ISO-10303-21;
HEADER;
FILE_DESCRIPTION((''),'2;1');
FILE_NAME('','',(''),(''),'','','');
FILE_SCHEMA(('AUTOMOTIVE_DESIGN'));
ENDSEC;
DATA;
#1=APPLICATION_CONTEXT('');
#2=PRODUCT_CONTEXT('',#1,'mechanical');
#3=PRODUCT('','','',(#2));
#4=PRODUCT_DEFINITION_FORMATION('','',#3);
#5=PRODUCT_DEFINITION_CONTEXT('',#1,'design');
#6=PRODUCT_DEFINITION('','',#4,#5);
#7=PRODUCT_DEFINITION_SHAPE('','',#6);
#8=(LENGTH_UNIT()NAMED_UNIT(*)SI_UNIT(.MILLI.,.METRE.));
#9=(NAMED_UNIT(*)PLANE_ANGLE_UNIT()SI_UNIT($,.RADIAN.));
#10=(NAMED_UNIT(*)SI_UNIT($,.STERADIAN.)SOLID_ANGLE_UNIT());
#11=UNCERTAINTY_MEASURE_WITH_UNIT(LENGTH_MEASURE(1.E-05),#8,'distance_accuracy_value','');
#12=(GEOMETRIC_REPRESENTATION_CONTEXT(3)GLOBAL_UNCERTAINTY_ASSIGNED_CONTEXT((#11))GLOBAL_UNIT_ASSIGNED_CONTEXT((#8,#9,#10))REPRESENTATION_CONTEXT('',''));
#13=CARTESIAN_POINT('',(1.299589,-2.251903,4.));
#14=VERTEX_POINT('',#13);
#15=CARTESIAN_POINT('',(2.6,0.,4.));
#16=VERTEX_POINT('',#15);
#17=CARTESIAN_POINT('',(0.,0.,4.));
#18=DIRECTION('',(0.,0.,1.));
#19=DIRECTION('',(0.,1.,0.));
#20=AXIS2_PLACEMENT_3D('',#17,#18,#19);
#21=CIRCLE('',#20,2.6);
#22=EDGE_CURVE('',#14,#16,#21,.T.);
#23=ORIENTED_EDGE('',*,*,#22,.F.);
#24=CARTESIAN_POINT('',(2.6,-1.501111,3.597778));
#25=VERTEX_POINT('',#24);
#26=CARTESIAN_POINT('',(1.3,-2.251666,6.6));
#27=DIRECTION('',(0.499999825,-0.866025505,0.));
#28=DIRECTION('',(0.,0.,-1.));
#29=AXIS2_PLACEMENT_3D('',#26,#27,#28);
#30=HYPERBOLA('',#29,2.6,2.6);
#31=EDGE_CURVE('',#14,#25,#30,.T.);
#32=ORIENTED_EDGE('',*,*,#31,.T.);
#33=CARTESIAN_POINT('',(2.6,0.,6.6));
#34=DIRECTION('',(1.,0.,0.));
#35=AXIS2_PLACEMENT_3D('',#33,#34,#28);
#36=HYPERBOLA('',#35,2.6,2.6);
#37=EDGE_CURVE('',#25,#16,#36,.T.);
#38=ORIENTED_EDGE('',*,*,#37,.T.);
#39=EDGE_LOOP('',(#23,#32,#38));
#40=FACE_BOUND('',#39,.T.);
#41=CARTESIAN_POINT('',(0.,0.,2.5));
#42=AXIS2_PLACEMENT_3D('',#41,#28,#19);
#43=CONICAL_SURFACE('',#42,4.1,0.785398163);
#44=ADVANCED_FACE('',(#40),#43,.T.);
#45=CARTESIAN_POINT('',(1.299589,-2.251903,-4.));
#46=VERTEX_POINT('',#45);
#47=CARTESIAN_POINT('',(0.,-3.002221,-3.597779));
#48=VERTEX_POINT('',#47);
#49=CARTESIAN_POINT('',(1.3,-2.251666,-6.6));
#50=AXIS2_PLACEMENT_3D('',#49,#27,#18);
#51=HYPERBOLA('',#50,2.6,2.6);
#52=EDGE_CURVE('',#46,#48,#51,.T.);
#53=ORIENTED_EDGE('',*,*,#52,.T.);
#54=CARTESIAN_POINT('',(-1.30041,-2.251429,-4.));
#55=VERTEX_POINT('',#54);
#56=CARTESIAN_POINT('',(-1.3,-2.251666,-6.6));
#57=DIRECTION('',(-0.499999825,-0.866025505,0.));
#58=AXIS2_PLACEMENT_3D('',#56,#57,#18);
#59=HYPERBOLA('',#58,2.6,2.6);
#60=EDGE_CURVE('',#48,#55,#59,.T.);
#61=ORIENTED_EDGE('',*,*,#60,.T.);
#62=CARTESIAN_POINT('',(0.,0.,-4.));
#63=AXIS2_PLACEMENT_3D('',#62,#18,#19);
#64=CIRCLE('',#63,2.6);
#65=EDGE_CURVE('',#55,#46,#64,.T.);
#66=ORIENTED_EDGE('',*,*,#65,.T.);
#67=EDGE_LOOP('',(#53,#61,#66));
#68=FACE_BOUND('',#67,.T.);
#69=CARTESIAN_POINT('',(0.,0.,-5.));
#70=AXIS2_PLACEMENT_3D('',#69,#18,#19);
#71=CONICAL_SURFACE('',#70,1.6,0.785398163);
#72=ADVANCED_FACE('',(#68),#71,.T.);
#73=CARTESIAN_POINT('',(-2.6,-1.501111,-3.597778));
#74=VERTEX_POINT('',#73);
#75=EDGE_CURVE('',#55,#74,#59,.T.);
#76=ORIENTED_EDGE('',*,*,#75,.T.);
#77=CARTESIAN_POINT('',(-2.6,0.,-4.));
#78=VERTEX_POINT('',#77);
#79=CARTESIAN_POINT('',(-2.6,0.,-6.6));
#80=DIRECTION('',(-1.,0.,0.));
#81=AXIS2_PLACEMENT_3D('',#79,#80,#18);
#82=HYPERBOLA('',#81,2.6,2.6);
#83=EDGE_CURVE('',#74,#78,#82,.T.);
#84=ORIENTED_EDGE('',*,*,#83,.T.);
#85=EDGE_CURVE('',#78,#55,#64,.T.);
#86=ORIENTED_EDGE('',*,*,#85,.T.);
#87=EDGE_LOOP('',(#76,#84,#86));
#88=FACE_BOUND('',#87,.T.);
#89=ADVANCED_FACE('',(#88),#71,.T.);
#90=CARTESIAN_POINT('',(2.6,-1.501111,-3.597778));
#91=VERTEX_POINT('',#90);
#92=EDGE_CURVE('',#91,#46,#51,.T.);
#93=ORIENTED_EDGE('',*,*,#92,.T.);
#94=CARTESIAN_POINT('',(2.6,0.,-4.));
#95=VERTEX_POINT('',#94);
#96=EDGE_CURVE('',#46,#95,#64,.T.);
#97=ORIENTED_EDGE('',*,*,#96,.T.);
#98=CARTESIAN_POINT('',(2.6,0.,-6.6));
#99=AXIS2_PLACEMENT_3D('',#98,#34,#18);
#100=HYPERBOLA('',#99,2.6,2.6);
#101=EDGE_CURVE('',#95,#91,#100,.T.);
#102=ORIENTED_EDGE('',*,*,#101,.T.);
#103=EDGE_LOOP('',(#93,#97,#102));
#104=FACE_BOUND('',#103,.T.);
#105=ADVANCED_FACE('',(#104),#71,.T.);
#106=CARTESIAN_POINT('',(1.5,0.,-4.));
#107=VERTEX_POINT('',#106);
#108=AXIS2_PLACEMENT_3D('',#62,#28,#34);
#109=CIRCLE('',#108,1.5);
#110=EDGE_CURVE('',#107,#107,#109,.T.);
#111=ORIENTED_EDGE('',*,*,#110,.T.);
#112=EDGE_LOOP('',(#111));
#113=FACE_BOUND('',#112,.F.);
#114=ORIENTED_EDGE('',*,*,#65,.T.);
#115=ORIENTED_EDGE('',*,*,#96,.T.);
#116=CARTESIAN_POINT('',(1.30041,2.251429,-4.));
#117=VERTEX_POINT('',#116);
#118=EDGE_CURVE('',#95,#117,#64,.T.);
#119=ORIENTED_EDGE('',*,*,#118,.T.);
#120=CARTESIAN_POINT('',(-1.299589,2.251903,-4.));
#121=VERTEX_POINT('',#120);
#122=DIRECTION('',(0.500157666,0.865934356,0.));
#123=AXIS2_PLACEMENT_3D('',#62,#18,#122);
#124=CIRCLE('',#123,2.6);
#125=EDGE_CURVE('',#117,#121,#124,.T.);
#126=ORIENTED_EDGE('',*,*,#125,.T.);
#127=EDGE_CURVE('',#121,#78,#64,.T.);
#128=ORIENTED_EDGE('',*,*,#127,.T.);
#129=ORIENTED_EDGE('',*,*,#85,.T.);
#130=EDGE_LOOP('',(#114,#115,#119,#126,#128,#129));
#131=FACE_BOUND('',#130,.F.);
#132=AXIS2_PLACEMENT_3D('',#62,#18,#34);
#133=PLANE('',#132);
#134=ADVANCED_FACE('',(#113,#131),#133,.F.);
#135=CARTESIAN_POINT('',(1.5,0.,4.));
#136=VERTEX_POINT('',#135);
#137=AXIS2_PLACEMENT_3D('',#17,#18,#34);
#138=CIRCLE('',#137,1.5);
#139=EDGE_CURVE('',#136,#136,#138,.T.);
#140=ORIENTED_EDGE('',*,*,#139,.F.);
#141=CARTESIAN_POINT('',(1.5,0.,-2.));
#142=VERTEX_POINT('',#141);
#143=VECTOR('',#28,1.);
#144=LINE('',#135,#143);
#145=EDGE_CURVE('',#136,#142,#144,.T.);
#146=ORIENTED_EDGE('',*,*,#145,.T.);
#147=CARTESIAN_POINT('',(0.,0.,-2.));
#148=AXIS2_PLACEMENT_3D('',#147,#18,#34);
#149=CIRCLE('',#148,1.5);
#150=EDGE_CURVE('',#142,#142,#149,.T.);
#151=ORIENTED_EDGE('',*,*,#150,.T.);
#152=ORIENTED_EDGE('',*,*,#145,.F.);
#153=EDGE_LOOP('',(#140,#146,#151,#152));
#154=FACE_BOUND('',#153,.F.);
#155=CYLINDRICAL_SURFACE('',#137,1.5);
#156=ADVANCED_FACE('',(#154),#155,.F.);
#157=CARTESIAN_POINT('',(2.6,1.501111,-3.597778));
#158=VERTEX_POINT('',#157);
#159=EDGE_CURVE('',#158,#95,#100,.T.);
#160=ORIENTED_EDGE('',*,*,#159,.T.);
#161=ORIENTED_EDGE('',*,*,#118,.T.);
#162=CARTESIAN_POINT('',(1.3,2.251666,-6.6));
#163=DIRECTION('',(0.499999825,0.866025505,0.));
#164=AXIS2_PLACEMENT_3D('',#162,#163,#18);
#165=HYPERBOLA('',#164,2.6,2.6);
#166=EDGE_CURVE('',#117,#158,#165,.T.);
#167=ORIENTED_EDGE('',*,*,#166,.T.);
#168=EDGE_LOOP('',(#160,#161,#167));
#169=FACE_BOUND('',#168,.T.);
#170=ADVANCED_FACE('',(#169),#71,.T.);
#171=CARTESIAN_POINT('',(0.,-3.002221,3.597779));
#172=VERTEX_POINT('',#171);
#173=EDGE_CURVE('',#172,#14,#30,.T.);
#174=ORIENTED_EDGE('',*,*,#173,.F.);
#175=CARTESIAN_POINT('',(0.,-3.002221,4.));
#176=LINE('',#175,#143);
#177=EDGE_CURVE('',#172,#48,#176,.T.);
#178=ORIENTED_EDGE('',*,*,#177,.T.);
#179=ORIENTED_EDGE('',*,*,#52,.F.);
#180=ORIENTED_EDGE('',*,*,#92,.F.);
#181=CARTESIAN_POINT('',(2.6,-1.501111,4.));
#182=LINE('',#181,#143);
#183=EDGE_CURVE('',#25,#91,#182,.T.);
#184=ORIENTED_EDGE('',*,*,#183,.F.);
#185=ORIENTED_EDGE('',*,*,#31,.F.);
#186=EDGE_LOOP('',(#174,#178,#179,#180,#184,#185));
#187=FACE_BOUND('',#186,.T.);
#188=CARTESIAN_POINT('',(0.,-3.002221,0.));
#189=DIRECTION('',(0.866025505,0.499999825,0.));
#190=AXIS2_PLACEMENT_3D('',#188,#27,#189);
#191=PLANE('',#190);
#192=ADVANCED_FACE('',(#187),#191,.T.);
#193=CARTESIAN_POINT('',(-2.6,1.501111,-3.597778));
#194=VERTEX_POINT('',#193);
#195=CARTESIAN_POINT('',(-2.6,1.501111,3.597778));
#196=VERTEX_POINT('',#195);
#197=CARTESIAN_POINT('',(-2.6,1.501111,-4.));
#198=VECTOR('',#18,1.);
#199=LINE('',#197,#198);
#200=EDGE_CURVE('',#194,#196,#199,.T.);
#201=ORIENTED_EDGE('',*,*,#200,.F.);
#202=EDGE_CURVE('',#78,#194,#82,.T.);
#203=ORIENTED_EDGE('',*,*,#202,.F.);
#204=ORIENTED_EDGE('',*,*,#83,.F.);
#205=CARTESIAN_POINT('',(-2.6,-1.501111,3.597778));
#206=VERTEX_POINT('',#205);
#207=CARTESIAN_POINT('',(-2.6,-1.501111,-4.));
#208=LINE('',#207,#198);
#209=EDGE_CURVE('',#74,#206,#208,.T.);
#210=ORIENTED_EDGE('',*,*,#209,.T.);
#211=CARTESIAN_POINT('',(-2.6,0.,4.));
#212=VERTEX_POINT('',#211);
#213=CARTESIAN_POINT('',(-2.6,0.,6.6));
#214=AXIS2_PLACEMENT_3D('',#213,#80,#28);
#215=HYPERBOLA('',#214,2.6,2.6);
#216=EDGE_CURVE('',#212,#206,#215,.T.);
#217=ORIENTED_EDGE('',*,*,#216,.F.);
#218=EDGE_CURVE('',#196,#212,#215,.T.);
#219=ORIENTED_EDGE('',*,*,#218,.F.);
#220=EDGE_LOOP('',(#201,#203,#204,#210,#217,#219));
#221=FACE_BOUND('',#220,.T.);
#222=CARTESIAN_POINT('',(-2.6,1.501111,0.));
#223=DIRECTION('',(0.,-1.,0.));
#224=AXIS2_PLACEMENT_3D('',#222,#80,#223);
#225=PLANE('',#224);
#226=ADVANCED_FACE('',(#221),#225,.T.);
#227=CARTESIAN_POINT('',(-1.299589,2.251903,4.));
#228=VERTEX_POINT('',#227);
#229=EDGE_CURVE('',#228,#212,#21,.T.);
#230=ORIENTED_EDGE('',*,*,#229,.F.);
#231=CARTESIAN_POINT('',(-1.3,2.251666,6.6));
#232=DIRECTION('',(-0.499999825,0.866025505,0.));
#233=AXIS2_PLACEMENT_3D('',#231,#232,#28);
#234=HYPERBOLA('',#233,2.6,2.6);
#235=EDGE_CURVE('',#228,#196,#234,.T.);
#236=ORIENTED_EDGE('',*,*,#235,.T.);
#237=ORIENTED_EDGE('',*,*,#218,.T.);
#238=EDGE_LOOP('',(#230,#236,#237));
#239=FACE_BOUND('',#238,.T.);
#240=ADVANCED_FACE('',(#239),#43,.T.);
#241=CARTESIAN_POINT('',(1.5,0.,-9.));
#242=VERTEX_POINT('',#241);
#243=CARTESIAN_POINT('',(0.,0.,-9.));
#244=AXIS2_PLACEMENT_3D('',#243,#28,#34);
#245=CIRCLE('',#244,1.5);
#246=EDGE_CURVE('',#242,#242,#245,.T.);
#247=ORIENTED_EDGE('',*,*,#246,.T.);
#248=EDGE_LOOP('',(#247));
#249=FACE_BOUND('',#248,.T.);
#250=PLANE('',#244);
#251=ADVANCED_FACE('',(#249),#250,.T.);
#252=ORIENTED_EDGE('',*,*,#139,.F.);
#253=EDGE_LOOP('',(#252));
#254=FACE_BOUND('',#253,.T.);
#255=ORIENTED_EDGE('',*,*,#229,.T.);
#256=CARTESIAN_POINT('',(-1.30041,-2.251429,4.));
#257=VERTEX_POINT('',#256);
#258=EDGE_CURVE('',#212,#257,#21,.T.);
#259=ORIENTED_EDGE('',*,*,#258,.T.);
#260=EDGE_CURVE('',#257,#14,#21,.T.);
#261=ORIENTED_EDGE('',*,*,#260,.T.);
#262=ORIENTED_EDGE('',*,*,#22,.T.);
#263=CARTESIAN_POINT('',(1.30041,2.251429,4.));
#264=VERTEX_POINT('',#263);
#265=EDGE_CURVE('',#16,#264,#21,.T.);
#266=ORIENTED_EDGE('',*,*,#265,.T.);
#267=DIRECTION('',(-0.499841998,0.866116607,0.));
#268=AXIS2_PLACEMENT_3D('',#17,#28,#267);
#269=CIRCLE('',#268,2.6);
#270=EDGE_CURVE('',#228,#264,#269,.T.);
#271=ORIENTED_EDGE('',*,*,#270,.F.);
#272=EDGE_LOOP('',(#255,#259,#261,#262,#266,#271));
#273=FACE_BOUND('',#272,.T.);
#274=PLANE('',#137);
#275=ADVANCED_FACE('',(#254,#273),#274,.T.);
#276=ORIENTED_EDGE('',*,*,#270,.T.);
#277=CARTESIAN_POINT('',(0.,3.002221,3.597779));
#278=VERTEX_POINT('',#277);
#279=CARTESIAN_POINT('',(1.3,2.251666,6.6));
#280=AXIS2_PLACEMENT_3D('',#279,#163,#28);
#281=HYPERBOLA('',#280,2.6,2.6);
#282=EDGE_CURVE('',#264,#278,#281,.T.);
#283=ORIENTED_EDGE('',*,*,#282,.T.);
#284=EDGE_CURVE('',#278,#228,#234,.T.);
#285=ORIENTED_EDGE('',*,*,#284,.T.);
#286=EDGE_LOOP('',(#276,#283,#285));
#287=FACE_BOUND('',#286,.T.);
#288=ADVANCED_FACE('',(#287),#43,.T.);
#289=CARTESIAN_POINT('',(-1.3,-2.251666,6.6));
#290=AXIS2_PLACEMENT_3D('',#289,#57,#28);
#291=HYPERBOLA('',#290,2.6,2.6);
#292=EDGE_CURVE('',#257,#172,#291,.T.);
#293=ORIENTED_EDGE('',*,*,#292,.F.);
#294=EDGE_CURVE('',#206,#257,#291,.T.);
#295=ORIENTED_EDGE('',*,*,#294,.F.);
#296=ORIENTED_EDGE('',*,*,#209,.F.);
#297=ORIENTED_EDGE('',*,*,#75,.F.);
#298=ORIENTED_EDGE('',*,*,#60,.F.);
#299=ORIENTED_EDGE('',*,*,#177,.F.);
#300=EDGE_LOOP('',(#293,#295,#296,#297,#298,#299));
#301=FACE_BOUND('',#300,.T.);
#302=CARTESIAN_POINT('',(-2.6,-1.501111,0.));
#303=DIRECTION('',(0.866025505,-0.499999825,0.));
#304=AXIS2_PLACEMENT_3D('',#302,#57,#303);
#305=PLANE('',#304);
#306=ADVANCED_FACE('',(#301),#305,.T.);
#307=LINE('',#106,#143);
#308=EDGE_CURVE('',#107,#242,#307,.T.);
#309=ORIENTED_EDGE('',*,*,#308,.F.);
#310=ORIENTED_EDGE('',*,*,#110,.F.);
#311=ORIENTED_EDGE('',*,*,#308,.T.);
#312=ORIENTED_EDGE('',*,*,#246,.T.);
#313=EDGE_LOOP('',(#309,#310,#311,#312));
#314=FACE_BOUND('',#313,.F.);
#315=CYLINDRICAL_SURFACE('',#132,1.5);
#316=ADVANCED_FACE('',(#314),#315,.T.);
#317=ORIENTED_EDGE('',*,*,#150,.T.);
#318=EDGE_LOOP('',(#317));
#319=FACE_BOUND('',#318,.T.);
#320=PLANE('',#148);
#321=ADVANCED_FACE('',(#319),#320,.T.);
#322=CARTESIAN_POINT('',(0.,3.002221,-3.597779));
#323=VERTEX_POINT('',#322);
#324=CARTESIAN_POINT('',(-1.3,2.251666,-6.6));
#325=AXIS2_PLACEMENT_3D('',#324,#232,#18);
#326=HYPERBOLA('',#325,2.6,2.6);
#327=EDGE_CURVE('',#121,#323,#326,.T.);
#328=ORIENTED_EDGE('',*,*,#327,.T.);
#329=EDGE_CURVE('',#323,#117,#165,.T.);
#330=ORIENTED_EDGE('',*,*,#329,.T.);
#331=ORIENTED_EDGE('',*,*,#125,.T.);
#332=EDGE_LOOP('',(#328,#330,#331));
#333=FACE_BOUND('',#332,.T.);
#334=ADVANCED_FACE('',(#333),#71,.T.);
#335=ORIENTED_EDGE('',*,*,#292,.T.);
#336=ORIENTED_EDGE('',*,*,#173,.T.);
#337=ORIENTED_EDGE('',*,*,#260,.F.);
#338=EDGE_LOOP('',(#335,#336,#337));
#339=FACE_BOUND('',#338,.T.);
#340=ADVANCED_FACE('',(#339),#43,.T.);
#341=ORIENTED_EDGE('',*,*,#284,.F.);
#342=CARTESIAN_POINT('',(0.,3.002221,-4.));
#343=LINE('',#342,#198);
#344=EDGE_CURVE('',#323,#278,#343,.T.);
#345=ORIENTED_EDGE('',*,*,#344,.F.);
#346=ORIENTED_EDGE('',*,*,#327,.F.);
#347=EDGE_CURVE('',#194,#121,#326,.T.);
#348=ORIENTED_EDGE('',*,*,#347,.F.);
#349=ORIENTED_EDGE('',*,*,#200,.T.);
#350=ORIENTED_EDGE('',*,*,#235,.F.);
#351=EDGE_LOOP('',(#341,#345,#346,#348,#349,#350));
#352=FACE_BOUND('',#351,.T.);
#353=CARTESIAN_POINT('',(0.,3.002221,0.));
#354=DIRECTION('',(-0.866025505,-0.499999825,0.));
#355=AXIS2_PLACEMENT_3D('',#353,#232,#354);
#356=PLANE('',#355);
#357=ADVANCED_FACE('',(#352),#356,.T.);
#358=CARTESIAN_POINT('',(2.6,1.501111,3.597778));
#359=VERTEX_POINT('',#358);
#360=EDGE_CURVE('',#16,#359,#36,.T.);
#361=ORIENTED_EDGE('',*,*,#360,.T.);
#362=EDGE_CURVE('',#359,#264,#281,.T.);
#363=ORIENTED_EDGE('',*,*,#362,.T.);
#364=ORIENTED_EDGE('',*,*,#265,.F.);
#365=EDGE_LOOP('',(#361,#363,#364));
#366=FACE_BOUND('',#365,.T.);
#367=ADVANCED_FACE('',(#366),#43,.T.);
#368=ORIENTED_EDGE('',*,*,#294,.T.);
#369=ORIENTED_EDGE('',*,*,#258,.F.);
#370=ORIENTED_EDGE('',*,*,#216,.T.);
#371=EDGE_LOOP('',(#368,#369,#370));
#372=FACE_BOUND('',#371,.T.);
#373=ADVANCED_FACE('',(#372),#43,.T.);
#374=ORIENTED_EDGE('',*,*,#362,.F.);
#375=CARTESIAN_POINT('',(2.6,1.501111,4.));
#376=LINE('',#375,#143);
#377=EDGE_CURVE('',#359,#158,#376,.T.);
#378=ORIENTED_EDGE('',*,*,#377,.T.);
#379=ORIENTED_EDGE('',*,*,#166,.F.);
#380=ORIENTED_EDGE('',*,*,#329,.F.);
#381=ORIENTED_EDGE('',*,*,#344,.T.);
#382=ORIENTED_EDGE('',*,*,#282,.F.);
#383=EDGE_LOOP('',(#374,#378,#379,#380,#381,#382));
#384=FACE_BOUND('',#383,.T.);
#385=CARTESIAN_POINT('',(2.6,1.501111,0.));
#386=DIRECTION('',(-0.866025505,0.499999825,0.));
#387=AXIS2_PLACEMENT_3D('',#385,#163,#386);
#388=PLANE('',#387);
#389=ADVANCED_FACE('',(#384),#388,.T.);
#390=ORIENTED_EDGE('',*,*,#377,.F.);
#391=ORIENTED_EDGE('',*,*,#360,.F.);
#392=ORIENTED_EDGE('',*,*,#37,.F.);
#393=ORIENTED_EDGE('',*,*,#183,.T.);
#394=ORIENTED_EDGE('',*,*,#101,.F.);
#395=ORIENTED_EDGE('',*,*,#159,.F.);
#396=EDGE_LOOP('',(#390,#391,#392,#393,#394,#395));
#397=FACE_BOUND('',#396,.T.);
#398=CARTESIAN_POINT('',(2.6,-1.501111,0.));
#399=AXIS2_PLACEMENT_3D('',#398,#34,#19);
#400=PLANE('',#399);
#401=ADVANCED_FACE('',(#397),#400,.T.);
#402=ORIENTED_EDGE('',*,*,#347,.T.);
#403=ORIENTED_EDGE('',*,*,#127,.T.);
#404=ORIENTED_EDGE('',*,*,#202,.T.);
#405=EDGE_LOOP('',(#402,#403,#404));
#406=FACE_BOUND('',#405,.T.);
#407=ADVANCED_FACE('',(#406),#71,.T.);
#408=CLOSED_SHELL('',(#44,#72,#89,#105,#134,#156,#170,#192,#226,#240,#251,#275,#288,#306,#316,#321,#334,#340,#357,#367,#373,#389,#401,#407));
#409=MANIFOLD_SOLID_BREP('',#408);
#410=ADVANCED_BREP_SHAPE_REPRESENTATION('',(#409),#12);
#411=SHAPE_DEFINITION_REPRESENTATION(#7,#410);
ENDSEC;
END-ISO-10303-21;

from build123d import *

# Parameters (mm, degrees)
PAD_DEPTH    = 4
SKETCH001_R  = 1.5
POCKET_DEPTH = 6
SKETCH004_R  = 1.5
PAD001_DEPTH = 5


with BuildPart() as body001:
    # Sketch003 → Revolution (revolve)
    with BuildSketch(Plane.YZ):
        Polygon((1.6, 5), (4.6, 5), (4.6, -5), (1.6, -5), (4.1, -2.5), (4.1, 2.5), align=None)
    revolve(axis=Axis((0, 0, 0), (0, 0, 1)))


with BuildPart() as cut:
    # Sketch → Pad (new body, symmetric)
    with BuildSketch(Plane.XY):
        Polygon((2.6, 1.501111), (0, 3.002221), (-2.6, 1.501111), (-2.6, -1.501111), (0, -3.002221), (2.6, -1.501111), align=None)
    extrude(amount=PAD_DEPTH, both=True)

    # Sketch001 (on Face8 of Pad) → Pocket (cut)
    with BuildSketch(Plane.XY.offset(4)):
        Circle(SKETCH001_R)
    extrude(amount=-POCKET_DEPTH, mode=Mode.SUBTRACT)

    # Sketch004 (on Face4 of Pocket) → Pad001 (join)
    with BuildSketch(Plane(origin=(0, 0, -4), x_dir=(1, 0, 0), z_dir=(0, 0, -1))):
        Circle(SKETCH004_R)
    extrude(amount=PAD001_DEPTH)

    # Cut: cut Body001
    add(body001.part, mode=Mode.SUBTRACT)


solid = cut.part
